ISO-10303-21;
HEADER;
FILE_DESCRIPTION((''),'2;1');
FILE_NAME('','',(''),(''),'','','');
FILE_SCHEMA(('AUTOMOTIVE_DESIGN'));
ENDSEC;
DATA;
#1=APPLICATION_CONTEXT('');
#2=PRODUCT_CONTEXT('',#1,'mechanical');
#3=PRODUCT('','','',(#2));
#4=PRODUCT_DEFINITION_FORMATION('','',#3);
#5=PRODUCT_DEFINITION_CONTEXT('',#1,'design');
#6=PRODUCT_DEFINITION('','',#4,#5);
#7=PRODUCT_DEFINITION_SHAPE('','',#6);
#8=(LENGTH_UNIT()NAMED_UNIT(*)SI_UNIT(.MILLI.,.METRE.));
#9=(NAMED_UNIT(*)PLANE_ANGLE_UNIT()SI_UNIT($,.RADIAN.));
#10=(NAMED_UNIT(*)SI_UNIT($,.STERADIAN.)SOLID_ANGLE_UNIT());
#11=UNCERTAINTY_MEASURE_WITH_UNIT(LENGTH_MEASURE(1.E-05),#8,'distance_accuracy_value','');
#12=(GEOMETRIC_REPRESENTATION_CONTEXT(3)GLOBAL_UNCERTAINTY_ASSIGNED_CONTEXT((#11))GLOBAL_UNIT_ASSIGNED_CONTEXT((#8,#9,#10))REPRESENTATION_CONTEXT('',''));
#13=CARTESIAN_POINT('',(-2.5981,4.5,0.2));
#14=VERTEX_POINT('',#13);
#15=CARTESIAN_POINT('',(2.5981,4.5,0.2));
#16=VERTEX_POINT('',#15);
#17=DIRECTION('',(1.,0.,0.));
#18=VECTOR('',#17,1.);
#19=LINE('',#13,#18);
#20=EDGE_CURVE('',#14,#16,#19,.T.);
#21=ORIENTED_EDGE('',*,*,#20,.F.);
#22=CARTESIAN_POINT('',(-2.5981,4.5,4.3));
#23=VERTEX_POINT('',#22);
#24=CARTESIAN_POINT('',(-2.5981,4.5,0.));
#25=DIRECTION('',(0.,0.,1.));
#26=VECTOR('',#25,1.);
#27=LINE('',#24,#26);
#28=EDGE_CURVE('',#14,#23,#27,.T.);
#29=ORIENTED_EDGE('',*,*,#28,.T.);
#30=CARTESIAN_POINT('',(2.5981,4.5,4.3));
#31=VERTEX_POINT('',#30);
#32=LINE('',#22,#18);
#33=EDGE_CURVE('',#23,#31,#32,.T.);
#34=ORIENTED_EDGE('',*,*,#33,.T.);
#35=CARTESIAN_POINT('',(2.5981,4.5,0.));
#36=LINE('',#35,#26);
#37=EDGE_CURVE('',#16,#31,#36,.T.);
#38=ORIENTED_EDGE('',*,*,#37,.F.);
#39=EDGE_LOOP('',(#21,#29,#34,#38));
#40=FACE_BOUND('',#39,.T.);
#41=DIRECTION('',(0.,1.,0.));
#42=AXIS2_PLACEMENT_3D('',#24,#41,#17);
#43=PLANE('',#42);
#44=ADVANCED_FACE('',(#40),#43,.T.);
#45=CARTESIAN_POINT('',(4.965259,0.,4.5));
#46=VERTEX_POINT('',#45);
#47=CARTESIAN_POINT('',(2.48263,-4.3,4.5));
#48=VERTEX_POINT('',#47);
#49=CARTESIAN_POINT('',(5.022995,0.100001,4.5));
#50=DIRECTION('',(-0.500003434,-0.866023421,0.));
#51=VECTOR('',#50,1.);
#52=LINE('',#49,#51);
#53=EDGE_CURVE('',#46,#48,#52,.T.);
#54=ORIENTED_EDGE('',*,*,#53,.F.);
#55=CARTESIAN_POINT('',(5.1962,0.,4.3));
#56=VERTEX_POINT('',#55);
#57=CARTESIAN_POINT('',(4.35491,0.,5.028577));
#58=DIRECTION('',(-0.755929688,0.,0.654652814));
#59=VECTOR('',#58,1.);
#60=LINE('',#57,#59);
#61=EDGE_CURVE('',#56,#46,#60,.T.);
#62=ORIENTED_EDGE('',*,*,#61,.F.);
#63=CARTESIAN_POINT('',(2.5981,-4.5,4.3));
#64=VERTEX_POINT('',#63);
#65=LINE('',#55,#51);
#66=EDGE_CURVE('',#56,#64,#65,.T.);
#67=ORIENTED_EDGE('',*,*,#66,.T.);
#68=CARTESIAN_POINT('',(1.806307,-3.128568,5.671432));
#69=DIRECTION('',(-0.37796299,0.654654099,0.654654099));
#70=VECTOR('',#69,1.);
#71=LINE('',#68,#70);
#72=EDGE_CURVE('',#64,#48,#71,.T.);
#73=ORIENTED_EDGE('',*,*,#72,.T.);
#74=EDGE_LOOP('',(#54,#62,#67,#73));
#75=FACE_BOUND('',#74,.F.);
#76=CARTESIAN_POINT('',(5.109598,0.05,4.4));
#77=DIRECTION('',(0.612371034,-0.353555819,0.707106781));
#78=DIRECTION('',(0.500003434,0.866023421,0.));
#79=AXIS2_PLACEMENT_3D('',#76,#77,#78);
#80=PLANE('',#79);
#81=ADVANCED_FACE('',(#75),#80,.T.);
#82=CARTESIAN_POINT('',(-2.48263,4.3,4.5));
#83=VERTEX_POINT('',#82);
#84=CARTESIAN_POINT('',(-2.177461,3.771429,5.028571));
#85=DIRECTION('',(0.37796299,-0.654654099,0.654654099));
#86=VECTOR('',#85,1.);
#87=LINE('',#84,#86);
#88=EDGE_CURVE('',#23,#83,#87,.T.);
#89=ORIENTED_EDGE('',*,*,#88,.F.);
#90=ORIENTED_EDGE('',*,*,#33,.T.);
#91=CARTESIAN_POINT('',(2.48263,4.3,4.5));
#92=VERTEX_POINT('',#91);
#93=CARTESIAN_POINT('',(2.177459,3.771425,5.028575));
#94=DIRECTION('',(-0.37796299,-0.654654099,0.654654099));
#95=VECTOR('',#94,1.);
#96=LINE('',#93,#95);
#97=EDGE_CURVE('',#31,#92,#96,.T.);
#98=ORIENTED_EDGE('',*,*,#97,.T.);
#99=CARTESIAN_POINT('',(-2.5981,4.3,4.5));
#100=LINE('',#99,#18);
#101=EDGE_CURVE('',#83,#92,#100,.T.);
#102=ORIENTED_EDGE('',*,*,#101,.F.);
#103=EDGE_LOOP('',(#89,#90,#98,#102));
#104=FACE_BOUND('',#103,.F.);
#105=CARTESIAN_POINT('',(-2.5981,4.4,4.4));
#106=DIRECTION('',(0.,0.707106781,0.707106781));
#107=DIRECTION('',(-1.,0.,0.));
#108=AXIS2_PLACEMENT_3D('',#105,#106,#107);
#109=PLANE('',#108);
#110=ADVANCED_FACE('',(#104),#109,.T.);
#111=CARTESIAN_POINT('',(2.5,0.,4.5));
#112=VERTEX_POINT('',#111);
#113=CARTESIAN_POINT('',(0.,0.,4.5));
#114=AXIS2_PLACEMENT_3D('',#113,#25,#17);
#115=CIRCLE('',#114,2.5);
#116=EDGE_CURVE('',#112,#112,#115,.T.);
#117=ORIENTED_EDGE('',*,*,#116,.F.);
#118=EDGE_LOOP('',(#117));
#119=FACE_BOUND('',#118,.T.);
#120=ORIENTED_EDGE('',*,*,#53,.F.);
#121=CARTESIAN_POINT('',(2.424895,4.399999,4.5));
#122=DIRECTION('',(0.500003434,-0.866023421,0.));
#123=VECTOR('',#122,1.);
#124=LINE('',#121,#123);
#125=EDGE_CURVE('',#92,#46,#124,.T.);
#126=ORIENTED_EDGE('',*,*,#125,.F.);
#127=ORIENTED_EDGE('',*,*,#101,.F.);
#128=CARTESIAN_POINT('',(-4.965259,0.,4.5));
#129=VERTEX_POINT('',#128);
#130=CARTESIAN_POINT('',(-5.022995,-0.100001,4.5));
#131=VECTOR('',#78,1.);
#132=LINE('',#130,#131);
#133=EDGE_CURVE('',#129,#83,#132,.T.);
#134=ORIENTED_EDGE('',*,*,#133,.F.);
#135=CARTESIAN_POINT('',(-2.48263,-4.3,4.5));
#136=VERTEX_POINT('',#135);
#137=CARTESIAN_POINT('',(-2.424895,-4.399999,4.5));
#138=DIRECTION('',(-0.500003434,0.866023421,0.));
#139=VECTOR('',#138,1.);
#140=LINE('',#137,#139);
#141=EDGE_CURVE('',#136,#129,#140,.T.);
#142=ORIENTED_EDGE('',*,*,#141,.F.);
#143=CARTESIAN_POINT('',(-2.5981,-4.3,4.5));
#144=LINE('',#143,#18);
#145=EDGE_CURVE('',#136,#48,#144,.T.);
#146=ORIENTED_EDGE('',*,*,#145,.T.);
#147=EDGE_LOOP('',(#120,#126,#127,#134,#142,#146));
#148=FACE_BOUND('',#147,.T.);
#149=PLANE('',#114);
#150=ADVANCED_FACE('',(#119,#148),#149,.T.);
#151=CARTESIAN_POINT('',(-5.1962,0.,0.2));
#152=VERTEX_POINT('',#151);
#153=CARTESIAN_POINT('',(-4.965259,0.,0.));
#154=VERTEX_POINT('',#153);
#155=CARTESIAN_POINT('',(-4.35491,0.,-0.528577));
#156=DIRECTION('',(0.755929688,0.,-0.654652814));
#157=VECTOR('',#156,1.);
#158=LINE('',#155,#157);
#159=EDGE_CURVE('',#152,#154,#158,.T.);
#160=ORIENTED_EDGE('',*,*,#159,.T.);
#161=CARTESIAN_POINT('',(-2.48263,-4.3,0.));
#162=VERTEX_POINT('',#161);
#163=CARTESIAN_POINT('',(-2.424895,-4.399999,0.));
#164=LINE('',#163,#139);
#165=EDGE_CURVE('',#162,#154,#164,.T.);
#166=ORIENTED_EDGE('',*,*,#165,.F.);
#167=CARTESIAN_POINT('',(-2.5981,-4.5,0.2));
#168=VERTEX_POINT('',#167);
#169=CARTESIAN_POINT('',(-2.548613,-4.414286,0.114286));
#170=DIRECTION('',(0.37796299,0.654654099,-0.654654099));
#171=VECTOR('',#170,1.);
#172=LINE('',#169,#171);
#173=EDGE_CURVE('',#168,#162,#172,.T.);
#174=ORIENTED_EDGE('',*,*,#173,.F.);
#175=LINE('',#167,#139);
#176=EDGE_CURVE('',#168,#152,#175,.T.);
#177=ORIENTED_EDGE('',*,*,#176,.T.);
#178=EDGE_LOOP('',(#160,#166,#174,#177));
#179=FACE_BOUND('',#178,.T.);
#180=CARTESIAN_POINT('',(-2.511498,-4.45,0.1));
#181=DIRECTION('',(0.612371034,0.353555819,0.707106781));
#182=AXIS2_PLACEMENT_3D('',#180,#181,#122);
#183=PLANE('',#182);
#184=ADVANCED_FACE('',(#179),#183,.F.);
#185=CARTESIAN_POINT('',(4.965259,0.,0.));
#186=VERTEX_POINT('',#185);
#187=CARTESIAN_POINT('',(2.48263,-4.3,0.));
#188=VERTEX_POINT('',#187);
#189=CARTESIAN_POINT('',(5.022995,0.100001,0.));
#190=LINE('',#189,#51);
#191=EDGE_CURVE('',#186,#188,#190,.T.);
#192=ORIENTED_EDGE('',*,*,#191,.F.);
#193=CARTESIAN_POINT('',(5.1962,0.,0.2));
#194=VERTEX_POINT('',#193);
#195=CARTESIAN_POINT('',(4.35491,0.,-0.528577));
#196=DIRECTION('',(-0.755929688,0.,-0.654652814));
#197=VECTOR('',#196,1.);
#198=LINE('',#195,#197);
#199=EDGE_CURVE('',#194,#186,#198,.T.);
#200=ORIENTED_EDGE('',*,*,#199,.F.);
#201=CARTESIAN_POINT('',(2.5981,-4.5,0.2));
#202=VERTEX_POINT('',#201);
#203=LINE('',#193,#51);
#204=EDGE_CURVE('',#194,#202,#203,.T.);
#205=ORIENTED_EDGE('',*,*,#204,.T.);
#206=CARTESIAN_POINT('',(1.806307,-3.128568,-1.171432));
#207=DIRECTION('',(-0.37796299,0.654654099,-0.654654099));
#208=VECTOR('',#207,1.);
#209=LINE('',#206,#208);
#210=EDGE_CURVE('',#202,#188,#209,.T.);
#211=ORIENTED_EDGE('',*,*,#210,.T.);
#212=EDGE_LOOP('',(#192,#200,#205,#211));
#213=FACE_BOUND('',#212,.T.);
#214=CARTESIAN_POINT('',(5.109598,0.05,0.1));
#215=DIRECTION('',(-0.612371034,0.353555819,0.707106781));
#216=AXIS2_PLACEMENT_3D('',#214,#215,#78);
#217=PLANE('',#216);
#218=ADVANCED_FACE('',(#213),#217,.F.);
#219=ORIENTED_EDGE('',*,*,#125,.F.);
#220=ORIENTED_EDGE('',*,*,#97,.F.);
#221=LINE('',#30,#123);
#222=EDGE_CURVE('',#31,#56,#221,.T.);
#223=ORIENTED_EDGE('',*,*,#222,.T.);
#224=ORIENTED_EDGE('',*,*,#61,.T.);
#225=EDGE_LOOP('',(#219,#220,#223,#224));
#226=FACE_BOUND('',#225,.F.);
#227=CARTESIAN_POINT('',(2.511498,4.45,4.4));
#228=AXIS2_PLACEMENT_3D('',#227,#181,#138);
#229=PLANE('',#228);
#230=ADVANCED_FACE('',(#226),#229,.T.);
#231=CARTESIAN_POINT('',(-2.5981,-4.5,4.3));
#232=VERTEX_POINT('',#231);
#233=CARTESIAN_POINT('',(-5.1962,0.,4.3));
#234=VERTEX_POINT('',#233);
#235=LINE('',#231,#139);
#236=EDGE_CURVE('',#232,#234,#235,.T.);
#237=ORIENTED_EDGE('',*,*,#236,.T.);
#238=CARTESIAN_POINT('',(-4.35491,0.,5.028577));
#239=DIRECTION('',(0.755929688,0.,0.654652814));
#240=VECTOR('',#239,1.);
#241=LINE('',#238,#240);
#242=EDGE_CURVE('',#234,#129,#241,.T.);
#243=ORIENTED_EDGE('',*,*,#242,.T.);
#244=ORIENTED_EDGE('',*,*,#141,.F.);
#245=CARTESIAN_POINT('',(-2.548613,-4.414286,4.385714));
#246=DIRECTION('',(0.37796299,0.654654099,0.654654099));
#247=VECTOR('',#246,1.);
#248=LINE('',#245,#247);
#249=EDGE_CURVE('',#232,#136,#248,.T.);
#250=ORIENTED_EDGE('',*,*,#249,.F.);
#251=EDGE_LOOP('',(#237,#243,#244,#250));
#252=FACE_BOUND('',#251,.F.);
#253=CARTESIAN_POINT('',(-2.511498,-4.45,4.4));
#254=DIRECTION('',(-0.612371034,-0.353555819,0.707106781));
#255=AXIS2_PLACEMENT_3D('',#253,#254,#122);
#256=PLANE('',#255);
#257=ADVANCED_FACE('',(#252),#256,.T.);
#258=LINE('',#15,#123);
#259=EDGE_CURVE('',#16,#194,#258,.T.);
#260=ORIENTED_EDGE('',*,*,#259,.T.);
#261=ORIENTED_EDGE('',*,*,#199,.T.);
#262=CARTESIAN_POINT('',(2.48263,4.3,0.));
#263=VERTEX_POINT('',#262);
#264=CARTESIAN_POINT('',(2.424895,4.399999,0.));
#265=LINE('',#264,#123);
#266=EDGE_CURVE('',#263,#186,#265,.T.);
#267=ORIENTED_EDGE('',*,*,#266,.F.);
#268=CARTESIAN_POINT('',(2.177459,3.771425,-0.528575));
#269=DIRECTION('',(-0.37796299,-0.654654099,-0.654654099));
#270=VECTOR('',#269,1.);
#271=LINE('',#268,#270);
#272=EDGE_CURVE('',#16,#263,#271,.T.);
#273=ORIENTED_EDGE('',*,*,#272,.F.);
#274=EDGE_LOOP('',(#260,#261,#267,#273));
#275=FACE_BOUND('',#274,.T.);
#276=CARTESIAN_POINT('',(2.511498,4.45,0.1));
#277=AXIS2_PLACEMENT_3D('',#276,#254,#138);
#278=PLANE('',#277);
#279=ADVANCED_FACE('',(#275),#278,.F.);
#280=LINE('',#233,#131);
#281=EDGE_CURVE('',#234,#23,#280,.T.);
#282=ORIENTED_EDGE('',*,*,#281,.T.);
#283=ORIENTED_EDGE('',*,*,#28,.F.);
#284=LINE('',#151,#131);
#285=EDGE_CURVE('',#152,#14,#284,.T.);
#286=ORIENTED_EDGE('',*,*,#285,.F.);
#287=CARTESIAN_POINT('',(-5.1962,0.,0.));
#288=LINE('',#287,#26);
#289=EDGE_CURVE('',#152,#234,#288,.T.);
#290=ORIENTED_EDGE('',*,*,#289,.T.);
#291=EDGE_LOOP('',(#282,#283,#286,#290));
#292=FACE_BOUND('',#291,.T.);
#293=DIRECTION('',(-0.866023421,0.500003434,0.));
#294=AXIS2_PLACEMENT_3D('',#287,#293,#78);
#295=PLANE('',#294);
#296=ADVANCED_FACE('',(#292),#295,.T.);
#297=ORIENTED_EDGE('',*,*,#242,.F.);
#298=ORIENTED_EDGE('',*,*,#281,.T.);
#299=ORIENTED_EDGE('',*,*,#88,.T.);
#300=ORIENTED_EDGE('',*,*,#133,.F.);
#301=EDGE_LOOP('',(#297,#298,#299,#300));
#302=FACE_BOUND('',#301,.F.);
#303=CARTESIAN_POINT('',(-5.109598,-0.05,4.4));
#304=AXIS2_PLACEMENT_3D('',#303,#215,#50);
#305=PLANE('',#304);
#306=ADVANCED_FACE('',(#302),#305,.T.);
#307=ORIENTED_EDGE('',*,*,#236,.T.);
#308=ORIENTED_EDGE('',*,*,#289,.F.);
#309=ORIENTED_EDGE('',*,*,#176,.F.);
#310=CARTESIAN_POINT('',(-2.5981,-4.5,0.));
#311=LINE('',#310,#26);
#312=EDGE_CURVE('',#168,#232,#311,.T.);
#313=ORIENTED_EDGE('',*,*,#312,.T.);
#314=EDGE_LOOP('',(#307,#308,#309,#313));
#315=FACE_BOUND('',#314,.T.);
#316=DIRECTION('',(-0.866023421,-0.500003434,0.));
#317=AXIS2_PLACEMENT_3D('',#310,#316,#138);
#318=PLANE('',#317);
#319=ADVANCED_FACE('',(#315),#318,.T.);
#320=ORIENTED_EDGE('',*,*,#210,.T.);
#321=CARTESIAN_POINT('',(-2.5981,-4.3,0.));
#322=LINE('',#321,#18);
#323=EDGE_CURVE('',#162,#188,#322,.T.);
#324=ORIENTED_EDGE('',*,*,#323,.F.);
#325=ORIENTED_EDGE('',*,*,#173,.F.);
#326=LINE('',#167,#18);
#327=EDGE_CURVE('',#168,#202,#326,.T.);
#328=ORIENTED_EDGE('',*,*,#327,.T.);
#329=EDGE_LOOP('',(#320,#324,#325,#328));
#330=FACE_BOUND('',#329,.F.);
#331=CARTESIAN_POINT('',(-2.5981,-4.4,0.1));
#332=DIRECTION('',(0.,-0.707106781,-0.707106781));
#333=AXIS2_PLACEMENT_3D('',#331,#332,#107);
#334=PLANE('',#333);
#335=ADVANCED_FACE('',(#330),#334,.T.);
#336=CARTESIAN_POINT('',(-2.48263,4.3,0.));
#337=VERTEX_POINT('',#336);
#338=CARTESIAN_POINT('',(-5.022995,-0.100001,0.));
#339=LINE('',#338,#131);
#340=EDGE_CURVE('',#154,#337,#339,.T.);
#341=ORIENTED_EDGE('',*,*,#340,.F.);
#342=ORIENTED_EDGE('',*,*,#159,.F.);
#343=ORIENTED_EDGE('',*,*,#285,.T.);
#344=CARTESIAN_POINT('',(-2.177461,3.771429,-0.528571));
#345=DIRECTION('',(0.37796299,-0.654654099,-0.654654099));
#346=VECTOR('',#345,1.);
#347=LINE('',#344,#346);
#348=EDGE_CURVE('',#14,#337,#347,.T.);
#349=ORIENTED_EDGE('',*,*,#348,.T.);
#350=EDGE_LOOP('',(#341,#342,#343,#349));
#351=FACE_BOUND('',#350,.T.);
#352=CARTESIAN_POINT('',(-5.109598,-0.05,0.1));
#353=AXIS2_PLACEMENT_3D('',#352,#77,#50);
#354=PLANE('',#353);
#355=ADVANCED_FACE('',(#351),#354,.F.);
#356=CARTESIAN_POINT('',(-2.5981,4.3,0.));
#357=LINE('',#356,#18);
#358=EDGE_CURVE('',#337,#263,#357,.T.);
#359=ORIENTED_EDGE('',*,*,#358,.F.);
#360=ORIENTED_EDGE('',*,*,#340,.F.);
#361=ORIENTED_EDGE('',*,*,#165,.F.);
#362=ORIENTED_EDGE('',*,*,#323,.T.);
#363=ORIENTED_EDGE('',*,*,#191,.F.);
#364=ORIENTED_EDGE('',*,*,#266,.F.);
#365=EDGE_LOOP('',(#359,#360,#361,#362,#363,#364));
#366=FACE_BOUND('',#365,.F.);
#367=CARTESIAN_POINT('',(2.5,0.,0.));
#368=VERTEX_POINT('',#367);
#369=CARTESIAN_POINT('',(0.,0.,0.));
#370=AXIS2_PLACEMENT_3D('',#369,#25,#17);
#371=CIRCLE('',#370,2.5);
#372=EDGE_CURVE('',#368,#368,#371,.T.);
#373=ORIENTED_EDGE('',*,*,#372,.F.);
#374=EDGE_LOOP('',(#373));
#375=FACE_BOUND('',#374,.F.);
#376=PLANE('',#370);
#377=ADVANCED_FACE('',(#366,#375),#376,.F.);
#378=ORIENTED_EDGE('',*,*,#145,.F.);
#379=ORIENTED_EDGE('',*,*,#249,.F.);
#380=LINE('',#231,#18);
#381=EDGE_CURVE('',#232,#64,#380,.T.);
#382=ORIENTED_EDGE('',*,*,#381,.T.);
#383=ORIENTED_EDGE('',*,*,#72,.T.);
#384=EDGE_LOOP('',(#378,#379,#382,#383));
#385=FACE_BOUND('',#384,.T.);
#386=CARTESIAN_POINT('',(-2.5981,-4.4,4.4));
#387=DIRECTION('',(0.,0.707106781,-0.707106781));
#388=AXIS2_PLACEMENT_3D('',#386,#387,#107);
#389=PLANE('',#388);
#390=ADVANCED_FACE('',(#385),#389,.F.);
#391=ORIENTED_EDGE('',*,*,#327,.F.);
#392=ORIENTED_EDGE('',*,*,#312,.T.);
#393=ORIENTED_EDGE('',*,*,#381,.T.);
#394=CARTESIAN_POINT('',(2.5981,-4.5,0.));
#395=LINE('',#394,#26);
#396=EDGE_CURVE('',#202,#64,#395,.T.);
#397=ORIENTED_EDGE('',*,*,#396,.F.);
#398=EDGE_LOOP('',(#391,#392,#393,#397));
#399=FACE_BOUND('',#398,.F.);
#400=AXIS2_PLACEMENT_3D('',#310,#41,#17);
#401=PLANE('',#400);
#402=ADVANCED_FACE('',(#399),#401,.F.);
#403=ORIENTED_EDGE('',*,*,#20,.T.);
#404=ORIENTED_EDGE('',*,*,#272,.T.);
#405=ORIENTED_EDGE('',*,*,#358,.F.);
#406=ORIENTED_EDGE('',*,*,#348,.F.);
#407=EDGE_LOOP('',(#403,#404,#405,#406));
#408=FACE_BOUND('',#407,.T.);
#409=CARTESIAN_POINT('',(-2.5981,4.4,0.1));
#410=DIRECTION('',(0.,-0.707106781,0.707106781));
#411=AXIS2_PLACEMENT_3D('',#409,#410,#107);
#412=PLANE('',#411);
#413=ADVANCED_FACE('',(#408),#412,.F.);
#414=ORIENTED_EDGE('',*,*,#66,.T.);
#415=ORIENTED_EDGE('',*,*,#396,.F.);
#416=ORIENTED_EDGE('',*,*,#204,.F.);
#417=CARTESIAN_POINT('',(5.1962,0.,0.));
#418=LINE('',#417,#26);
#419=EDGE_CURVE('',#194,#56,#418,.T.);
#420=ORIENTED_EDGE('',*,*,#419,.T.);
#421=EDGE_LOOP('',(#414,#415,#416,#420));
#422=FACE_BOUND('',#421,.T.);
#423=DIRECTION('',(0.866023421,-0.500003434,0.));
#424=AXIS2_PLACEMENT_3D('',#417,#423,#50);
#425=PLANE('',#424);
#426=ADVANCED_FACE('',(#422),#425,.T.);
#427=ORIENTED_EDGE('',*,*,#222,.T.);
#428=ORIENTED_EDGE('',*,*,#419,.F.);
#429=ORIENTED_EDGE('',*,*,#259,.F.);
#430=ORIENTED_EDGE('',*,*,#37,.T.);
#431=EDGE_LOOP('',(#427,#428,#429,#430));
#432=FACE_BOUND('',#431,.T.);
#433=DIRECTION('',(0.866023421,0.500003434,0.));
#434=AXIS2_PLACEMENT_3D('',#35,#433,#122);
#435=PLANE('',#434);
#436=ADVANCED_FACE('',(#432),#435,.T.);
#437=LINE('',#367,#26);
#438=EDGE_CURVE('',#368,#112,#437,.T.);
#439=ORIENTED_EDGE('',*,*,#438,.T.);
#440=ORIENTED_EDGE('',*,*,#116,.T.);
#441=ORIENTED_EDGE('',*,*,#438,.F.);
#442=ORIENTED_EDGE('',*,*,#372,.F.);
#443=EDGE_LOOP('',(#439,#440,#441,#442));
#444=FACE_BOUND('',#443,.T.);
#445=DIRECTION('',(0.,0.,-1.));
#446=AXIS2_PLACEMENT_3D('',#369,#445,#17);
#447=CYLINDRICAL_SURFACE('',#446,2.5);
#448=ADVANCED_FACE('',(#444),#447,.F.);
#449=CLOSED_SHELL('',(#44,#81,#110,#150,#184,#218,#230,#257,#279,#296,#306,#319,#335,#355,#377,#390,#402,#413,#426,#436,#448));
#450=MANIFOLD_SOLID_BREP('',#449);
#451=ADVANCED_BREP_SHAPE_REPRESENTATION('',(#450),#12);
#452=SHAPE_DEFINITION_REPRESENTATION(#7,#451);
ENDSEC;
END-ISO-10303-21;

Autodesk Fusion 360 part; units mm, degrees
sketch "Sketch1" plane through (0, 0, 0) normal (0, 0, 1) x (1, 0, 0)
  circle A0 centre (0, 0) radius 2.5
  line L0 (0, 0) -> (5, 8.6603) construction
  line L1 (0, 0) -> (5, -8.6603) construction
  line L2 (0, 0) -> (-5, -8.6603) construction
  line L3 (0, 0) -> (-5, 8.6603) construction
  line L4 (10, 0) -> (-10, 0) construction
  line L5 (2.5981, 4.5) -> (5.1962, 0)
  line L6 (5.1962, 0) -> (2.5981, -4.5)
  line L7 (-2.5981, -4.5) -> (-5.1962, 0)
  line L8 (-5.1962, 0) -> (-2.5981, 4.5)
  line L9 (-2.5981, -4.5) -> (2.5981, -4.5)
  line L10 (-2.5981, 4.5) -> (2.5981, 4.5)
  dimension "d1" = 5
extrude "Extrude1" add sketch "Sketch1" along normal blind 4.5
chamfer "Chamfer1" distance 0.2 angle 45 12 edges at (0, -4.5, 4.5) (-3.8971, -2.25, 4.5) (-3.8971, 2.25, 4.5) (0, 4.5, 4.5) (3.8971, 2.25, 4.5) (3.8971, -2.25, 4.5) (0, -4.5, 0) (-3.8971, -2.25, 0) (-3.8971, 2.25, 0) (0, 4.5, 0) (3.8971, 2.25, 0) (3.8971, -2.25, 0)
